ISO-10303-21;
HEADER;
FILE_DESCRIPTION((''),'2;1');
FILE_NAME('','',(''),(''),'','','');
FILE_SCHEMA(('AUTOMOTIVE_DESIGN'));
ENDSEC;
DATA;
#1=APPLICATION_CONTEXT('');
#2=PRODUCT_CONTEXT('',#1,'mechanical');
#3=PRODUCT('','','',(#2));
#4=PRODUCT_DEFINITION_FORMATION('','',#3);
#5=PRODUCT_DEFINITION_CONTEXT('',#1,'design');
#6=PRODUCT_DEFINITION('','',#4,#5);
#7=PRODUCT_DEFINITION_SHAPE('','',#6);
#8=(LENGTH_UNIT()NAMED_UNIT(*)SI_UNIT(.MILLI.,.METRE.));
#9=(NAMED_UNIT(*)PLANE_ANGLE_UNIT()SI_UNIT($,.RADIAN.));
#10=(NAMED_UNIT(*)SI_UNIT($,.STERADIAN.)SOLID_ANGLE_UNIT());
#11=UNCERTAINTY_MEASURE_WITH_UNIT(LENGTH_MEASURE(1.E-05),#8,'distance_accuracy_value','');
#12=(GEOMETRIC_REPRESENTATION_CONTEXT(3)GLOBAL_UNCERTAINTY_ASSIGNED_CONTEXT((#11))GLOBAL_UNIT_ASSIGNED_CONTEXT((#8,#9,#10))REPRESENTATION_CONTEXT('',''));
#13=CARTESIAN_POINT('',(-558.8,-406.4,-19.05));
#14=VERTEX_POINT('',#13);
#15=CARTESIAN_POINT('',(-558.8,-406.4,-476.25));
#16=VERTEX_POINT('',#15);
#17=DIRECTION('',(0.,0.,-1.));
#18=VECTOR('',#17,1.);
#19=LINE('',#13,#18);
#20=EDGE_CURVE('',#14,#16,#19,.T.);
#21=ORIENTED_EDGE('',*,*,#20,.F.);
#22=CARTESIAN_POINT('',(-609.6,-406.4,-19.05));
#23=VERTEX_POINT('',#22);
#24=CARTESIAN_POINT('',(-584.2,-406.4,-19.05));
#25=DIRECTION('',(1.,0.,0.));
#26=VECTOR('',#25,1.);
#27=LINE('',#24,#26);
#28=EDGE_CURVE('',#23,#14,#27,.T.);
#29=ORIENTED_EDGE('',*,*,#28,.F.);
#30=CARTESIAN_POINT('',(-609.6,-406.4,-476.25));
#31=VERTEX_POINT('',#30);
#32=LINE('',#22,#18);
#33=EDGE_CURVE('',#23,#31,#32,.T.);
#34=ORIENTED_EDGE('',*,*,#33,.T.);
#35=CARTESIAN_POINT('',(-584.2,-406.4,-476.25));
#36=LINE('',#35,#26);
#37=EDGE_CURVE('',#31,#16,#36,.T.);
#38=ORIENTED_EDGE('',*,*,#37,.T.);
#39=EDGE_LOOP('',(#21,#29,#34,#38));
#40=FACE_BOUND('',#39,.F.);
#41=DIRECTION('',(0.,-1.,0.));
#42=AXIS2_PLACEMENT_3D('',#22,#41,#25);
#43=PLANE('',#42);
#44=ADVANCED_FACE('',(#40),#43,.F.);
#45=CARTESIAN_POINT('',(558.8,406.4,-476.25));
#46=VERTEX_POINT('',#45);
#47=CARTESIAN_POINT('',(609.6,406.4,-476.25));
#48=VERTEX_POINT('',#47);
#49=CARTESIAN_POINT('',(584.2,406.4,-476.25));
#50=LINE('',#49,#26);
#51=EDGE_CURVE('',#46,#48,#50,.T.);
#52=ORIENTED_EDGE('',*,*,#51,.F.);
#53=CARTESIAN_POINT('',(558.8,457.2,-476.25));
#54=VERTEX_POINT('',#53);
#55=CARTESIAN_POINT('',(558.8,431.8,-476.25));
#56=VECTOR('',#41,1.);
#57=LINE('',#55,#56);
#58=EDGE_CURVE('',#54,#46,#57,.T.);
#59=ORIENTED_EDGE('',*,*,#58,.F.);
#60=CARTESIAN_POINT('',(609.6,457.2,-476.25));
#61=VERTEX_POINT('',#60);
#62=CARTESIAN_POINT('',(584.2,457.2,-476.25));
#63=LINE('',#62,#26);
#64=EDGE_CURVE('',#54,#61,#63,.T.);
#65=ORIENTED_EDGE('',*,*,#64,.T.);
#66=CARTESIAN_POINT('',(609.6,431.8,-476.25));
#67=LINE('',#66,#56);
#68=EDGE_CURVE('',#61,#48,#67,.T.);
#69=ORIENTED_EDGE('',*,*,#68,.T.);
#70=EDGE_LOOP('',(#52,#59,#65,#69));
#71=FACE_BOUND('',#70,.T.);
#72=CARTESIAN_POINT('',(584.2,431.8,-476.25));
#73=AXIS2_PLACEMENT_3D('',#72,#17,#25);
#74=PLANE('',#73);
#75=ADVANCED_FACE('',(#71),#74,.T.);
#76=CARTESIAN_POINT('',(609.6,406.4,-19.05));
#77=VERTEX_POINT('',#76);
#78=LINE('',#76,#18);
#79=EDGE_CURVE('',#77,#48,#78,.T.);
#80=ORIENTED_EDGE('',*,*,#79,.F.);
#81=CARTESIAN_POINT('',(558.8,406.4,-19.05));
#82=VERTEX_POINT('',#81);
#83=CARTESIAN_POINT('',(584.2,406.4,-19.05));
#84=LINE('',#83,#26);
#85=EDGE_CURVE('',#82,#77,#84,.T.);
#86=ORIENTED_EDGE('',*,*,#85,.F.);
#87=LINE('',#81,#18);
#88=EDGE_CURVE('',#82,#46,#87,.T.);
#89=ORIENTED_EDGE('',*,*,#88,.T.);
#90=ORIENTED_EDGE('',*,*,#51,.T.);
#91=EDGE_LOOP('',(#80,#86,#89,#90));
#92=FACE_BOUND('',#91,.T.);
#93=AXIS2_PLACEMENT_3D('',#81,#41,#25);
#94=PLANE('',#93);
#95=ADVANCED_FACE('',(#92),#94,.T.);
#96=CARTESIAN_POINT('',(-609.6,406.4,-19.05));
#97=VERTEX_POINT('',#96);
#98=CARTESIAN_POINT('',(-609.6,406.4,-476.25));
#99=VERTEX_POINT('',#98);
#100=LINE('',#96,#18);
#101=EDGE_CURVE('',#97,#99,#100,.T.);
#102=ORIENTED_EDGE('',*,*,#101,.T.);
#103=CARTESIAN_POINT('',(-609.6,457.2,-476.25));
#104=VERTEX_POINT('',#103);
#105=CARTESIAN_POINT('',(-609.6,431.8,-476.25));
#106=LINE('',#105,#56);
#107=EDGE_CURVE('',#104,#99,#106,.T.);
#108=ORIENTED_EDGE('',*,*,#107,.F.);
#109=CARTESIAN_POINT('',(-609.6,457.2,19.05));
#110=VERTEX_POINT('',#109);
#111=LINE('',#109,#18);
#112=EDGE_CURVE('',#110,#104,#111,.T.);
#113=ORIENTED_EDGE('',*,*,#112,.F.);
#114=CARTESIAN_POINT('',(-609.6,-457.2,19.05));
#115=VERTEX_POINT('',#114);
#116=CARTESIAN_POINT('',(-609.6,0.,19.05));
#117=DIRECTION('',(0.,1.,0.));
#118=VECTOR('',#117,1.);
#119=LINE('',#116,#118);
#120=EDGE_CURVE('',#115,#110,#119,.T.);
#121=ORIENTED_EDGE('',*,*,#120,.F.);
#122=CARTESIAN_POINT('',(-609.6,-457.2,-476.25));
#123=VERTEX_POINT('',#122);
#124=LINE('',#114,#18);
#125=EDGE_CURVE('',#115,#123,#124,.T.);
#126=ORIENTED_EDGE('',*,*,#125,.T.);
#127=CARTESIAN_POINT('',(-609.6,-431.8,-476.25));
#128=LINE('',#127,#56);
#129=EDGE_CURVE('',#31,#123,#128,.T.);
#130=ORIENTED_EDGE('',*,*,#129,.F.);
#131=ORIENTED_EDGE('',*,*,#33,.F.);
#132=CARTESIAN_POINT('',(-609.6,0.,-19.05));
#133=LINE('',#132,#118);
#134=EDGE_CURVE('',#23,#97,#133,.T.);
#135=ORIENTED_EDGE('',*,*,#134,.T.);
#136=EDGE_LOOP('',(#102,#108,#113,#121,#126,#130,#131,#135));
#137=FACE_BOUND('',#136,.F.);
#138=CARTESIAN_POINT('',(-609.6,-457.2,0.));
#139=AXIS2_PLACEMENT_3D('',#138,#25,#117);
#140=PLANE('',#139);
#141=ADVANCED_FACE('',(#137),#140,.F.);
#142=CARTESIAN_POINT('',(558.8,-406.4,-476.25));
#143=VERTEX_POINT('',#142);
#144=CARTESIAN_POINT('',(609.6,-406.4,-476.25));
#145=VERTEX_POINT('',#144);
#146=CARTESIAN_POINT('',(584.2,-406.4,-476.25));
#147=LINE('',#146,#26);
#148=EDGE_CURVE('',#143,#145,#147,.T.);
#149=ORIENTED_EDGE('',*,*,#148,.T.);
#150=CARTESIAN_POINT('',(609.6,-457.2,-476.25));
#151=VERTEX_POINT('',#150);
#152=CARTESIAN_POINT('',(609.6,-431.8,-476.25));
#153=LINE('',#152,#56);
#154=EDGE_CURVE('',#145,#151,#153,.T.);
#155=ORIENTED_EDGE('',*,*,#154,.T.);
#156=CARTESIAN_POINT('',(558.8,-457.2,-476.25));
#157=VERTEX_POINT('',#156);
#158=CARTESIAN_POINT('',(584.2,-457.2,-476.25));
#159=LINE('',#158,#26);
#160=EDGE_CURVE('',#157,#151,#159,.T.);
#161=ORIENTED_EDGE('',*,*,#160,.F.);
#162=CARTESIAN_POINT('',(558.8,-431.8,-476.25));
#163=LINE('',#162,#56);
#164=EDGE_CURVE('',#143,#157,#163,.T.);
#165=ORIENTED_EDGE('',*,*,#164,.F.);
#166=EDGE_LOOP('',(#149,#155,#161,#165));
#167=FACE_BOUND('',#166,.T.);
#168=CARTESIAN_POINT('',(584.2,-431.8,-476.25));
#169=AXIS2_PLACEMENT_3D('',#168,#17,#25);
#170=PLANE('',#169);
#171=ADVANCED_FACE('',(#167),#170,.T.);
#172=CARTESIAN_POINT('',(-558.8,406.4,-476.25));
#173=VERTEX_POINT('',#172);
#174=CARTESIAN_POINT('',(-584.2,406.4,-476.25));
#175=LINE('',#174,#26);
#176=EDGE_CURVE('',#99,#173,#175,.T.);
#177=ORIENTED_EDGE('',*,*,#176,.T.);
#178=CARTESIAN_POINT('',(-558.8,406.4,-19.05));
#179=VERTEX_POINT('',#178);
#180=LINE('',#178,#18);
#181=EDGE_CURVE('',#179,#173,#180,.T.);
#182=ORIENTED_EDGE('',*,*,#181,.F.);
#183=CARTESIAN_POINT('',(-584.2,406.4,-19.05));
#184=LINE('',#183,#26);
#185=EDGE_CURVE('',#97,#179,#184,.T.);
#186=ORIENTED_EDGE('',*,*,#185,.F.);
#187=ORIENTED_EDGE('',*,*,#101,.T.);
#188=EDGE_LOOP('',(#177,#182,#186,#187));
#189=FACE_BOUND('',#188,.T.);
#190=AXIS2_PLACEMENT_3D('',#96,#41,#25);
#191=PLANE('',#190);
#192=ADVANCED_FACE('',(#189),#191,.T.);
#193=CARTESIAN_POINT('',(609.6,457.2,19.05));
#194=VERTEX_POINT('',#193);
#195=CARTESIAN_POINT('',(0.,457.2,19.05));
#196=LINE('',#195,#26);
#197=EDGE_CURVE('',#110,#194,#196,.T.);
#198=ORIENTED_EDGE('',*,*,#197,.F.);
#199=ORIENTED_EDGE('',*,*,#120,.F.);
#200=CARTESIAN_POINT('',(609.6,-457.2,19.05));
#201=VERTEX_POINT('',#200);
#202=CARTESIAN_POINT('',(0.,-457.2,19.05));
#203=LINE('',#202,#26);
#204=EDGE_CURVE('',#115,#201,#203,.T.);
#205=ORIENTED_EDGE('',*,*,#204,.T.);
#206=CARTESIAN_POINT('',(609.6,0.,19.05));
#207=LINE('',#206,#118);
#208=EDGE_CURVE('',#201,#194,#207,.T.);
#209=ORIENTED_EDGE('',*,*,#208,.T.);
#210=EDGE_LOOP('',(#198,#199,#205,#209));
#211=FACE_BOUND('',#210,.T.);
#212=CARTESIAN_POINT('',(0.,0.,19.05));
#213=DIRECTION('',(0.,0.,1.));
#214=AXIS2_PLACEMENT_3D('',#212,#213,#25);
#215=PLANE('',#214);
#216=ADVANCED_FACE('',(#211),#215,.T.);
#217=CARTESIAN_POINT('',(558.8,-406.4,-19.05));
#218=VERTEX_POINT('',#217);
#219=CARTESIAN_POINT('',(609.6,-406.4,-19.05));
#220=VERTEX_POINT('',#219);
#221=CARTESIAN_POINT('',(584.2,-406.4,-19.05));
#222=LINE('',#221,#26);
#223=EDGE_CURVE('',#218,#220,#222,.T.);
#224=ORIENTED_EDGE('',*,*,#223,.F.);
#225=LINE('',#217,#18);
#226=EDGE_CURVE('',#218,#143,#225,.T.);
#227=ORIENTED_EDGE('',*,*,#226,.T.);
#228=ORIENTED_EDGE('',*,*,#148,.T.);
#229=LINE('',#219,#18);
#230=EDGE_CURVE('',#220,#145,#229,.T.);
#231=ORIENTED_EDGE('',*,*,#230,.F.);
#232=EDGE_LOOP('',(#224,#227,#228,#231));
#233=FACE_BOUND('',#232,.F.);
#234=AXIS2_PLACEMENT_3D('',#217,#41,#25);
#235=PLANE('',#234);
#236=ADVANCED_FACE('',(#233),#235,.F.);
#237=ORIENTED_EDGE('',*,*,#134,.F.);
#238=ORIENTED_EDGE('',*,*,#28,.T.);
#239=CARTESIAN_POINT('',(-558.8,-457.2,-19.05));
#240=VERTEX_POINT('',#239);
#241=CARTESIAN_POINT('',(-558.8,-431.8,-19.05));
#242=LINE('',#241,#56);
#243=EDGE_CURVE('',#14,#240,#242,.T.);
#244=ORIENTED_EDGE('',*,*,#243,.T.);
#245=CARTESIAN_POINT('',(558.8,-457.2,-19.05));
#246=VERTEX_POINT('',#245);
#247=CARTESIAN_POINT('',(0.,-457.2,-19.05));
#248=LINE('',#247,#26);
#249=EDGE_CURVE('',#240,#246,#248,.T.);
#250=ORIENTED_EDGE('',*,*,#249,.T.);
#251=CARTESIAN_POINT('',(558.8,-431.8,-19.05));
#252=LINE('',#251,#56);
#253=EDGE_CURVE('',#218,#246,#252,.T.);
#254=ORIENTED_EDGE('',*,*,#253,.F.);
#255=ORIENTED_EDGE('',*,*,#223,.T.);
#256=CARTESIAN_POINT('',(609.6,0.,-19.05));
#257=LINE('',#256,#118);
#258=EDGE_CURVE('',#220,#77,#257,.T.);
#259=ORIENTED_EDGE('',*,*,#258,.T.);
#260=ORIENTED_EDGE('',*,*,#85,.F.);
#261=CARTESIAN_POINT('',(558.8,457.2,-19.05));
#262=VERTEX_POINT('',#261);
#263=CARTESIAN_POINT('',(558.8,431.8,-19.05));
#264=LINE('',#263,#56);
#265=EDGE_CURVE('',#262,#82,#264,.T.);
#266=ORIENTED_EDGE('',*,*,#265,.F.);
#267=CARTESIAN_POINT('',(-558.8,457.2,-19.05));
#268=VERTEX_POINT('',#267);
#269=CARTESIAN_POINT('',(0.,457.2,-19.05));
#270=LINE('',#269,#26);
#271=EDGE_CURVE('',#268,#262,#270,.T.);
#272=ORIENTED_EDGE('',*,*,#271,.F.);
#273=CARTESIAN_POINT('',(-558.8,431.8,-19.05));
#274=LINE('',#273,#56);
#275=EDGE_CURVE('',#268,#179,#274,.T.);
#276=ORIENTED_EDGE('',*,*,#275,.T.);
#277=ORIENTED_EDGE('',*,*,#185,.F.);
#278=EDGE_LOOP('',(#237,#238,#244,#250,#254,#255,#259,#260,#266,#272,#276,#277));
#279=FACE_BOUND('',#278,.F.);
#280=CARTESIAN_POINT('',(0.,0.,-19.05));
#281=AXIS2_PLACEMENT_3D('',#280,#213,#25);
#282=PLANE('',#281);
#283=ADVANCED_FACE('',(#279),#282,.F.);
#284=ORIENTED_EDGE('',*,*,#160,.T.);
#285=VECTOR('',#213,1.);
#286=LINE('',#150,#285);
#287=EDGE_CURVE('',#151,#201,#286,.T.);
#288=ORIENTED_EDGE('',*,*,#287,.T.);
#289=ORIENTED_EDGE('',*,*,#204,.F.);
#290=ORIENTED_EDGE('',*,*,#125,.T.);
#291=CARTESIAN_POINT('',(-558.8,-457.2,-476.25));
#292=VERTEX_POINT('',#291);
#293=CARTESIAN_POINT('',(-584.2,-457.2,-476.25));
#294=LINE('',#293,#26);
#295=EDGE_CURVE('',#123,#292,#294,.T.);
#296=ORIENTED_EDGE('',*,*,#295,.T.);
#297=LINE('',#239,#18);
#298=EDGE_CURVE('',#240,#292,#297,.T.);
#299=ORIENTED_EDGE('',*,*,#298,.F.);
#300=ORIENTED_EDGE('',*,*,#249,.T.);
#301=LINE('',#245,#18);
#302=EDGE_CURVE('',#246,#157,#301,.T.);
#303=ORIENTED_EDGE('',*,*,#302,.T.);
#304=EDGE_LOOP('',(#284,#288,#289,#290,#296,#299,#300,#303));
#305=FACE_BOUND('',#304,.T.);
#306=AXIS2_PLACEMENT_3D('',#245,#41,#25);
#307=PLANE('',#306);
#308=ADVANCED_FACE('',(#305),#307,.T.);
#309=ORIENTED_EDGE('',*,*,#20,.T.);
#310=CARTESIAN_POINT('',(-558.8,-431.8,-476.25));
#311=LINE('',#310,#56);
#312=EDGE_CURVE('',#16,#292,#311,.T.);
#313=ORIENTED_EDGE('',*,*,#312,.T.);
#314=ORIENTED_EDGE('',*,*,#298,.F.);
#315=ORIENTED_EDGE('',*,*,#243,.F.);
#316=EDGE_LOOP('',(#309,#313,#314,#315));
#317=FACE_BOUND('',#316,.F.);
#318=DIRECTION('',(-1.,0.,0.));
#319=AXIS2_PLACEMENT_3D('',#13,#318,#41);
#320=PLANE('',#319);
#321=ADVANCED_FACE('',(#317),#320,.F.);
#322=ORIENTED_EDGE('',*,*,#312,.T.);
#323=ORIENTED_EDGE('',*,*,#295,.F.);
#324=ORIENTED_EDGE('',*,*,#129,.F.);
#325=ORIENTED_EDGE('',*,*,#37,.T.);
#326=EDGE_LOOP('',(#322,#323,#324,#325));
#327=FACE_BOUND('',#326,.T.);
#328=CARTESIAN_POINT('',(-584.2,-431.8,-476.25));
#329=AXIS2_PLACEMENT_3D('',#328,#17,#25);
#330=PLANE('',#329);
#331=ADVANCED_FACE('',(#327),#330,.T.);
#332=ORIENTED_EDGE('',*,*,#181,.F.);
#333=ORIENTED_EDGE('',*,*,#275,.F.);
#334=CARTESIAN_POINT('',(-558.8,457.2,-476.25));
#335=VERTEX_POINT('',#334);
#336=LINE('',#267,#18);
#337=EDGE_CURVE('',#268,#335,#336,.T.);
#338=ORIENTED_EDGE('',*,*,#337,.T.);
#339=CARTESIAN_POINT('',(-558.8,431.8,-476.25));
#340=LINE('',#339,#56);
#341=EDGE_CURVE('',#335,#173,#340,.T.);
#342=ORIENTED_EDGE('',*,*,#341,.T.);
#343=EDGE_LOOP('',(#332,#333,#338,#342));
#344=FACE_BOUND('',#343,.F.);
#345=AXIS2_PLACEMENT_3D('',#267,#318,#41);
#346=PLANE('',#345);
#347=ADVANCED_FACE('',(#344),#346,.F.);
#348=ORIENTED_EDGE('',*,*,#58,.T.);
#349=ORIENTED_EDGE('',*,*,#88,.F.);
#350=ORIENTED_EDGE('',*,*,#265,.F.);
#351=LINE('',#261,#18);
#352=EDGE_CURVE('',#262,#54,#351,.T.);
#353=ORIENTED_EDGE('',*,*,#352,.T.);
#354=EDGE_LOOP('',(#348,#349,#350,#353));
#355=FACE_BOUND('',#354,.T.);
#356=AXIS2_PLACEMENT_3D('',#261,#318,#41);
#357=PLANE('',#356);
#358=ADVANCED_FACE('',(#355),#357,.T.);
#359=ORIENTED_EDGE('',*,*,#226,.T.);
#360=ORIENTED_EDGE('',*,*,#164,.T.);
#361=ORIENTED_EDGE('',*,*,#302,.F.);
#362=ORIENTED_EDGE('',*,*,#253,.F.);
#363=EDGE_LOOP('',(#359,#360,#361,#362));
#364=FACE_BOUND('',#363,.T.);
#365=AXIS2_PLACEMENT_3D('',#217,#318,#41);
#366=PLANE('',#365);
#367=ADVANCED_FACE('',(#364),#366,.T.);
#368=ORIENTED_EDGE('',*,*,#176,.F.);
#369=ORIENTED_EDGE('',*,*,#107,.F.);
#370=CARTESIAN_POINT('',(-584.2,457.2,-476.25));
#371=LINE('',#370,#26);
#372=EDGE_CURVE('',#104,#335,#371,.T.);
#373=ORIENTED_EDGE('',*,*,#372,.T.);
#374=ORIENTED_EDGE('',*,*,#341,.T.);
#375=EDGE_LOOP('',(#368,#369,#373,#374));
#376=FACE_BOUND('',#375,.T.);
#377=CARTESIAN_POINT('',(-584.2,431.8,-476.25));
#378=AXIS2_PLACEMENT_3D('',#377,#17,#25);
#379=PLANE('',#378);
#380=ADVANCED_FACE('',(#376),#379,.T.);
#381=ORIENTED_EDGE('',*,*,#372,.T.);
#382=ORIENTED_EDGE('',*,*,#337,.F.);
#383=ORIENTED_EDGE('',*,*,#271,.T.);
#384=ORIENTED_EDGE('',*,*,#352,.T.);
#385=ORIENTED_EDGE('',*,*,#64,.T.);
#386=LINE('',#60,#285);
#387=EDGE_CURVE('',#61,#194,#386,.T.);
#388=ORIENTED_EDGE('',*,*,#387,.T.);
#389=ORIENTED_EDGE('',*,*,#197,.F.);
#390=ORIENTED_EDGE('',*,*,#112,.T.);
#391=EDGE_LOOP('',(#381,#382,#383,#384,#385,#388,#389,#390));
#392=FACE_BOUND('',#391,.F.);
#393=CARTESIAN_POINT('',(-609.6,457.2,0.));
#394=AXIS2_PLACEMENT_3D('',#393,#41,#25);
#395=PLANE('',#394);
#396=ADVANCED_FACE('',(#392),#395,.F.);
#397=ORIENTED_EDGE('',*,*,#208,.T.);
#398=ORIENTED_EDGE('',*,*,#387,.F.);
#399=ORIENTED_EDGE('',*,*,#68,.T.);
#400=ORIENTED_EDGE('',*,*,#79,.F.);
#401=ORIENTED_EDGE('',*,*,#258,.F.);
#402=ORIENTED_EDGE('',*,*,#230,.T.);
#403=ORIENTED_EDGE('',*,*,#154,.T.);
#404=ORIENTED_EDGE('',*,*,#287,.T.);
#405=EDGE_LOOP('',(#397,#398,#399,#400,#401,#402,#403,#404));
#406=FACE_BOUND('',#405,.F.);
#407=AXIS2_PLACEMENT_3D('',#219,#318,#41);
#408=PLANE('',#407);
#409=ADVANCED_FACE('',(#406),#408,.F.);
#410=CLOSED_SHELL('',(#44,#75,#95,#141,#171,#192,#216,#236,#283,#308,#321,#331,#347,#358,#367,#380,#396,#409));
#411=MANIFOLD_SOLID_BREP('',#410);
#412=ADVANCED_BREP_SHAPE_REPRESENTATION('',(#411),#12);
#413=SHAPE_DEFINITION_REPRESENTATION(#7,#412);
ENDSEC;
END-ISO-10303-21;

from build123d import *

# Parameters (mm, degrees)
F0_W     = 1219.2
F0_H     = 914.4
F1_DEPTH = 19.05
F2_W     = 50.8
F2_H     = 50.8
F3_DEPTH = 457.2


with BuildPart() as f1:
    # F0 (on Top) → F1 (new body, symmetric)
    with BuildSketch(Plane.XY):
        Rectangle(F0_W, F0_H)
    extrude(amount=F1_DEPTH, both=True)

    # F2 (on face) → F3 (join)
    with BuildSketch(Plane(origin=(0, 0, -19.05), x_dir=(1, 0, 0), z_dir=(0, 0, -1))):
        with Locations((584.2, 431.8)):
            Rectangle(F2_W, F2_H)
        with Locations((584.2, -431.8)):
            Rectangle(F2_W, F2_H)
        with Locations((-584.2, -431.8)):
            Rectangle(F2_W, F2_H)
        with Locations((-584.2, 431.8)):
            Rectangle(F2_W, F2_H)
    extrude(amount=F3_DEPTH)


solid = f1.part
